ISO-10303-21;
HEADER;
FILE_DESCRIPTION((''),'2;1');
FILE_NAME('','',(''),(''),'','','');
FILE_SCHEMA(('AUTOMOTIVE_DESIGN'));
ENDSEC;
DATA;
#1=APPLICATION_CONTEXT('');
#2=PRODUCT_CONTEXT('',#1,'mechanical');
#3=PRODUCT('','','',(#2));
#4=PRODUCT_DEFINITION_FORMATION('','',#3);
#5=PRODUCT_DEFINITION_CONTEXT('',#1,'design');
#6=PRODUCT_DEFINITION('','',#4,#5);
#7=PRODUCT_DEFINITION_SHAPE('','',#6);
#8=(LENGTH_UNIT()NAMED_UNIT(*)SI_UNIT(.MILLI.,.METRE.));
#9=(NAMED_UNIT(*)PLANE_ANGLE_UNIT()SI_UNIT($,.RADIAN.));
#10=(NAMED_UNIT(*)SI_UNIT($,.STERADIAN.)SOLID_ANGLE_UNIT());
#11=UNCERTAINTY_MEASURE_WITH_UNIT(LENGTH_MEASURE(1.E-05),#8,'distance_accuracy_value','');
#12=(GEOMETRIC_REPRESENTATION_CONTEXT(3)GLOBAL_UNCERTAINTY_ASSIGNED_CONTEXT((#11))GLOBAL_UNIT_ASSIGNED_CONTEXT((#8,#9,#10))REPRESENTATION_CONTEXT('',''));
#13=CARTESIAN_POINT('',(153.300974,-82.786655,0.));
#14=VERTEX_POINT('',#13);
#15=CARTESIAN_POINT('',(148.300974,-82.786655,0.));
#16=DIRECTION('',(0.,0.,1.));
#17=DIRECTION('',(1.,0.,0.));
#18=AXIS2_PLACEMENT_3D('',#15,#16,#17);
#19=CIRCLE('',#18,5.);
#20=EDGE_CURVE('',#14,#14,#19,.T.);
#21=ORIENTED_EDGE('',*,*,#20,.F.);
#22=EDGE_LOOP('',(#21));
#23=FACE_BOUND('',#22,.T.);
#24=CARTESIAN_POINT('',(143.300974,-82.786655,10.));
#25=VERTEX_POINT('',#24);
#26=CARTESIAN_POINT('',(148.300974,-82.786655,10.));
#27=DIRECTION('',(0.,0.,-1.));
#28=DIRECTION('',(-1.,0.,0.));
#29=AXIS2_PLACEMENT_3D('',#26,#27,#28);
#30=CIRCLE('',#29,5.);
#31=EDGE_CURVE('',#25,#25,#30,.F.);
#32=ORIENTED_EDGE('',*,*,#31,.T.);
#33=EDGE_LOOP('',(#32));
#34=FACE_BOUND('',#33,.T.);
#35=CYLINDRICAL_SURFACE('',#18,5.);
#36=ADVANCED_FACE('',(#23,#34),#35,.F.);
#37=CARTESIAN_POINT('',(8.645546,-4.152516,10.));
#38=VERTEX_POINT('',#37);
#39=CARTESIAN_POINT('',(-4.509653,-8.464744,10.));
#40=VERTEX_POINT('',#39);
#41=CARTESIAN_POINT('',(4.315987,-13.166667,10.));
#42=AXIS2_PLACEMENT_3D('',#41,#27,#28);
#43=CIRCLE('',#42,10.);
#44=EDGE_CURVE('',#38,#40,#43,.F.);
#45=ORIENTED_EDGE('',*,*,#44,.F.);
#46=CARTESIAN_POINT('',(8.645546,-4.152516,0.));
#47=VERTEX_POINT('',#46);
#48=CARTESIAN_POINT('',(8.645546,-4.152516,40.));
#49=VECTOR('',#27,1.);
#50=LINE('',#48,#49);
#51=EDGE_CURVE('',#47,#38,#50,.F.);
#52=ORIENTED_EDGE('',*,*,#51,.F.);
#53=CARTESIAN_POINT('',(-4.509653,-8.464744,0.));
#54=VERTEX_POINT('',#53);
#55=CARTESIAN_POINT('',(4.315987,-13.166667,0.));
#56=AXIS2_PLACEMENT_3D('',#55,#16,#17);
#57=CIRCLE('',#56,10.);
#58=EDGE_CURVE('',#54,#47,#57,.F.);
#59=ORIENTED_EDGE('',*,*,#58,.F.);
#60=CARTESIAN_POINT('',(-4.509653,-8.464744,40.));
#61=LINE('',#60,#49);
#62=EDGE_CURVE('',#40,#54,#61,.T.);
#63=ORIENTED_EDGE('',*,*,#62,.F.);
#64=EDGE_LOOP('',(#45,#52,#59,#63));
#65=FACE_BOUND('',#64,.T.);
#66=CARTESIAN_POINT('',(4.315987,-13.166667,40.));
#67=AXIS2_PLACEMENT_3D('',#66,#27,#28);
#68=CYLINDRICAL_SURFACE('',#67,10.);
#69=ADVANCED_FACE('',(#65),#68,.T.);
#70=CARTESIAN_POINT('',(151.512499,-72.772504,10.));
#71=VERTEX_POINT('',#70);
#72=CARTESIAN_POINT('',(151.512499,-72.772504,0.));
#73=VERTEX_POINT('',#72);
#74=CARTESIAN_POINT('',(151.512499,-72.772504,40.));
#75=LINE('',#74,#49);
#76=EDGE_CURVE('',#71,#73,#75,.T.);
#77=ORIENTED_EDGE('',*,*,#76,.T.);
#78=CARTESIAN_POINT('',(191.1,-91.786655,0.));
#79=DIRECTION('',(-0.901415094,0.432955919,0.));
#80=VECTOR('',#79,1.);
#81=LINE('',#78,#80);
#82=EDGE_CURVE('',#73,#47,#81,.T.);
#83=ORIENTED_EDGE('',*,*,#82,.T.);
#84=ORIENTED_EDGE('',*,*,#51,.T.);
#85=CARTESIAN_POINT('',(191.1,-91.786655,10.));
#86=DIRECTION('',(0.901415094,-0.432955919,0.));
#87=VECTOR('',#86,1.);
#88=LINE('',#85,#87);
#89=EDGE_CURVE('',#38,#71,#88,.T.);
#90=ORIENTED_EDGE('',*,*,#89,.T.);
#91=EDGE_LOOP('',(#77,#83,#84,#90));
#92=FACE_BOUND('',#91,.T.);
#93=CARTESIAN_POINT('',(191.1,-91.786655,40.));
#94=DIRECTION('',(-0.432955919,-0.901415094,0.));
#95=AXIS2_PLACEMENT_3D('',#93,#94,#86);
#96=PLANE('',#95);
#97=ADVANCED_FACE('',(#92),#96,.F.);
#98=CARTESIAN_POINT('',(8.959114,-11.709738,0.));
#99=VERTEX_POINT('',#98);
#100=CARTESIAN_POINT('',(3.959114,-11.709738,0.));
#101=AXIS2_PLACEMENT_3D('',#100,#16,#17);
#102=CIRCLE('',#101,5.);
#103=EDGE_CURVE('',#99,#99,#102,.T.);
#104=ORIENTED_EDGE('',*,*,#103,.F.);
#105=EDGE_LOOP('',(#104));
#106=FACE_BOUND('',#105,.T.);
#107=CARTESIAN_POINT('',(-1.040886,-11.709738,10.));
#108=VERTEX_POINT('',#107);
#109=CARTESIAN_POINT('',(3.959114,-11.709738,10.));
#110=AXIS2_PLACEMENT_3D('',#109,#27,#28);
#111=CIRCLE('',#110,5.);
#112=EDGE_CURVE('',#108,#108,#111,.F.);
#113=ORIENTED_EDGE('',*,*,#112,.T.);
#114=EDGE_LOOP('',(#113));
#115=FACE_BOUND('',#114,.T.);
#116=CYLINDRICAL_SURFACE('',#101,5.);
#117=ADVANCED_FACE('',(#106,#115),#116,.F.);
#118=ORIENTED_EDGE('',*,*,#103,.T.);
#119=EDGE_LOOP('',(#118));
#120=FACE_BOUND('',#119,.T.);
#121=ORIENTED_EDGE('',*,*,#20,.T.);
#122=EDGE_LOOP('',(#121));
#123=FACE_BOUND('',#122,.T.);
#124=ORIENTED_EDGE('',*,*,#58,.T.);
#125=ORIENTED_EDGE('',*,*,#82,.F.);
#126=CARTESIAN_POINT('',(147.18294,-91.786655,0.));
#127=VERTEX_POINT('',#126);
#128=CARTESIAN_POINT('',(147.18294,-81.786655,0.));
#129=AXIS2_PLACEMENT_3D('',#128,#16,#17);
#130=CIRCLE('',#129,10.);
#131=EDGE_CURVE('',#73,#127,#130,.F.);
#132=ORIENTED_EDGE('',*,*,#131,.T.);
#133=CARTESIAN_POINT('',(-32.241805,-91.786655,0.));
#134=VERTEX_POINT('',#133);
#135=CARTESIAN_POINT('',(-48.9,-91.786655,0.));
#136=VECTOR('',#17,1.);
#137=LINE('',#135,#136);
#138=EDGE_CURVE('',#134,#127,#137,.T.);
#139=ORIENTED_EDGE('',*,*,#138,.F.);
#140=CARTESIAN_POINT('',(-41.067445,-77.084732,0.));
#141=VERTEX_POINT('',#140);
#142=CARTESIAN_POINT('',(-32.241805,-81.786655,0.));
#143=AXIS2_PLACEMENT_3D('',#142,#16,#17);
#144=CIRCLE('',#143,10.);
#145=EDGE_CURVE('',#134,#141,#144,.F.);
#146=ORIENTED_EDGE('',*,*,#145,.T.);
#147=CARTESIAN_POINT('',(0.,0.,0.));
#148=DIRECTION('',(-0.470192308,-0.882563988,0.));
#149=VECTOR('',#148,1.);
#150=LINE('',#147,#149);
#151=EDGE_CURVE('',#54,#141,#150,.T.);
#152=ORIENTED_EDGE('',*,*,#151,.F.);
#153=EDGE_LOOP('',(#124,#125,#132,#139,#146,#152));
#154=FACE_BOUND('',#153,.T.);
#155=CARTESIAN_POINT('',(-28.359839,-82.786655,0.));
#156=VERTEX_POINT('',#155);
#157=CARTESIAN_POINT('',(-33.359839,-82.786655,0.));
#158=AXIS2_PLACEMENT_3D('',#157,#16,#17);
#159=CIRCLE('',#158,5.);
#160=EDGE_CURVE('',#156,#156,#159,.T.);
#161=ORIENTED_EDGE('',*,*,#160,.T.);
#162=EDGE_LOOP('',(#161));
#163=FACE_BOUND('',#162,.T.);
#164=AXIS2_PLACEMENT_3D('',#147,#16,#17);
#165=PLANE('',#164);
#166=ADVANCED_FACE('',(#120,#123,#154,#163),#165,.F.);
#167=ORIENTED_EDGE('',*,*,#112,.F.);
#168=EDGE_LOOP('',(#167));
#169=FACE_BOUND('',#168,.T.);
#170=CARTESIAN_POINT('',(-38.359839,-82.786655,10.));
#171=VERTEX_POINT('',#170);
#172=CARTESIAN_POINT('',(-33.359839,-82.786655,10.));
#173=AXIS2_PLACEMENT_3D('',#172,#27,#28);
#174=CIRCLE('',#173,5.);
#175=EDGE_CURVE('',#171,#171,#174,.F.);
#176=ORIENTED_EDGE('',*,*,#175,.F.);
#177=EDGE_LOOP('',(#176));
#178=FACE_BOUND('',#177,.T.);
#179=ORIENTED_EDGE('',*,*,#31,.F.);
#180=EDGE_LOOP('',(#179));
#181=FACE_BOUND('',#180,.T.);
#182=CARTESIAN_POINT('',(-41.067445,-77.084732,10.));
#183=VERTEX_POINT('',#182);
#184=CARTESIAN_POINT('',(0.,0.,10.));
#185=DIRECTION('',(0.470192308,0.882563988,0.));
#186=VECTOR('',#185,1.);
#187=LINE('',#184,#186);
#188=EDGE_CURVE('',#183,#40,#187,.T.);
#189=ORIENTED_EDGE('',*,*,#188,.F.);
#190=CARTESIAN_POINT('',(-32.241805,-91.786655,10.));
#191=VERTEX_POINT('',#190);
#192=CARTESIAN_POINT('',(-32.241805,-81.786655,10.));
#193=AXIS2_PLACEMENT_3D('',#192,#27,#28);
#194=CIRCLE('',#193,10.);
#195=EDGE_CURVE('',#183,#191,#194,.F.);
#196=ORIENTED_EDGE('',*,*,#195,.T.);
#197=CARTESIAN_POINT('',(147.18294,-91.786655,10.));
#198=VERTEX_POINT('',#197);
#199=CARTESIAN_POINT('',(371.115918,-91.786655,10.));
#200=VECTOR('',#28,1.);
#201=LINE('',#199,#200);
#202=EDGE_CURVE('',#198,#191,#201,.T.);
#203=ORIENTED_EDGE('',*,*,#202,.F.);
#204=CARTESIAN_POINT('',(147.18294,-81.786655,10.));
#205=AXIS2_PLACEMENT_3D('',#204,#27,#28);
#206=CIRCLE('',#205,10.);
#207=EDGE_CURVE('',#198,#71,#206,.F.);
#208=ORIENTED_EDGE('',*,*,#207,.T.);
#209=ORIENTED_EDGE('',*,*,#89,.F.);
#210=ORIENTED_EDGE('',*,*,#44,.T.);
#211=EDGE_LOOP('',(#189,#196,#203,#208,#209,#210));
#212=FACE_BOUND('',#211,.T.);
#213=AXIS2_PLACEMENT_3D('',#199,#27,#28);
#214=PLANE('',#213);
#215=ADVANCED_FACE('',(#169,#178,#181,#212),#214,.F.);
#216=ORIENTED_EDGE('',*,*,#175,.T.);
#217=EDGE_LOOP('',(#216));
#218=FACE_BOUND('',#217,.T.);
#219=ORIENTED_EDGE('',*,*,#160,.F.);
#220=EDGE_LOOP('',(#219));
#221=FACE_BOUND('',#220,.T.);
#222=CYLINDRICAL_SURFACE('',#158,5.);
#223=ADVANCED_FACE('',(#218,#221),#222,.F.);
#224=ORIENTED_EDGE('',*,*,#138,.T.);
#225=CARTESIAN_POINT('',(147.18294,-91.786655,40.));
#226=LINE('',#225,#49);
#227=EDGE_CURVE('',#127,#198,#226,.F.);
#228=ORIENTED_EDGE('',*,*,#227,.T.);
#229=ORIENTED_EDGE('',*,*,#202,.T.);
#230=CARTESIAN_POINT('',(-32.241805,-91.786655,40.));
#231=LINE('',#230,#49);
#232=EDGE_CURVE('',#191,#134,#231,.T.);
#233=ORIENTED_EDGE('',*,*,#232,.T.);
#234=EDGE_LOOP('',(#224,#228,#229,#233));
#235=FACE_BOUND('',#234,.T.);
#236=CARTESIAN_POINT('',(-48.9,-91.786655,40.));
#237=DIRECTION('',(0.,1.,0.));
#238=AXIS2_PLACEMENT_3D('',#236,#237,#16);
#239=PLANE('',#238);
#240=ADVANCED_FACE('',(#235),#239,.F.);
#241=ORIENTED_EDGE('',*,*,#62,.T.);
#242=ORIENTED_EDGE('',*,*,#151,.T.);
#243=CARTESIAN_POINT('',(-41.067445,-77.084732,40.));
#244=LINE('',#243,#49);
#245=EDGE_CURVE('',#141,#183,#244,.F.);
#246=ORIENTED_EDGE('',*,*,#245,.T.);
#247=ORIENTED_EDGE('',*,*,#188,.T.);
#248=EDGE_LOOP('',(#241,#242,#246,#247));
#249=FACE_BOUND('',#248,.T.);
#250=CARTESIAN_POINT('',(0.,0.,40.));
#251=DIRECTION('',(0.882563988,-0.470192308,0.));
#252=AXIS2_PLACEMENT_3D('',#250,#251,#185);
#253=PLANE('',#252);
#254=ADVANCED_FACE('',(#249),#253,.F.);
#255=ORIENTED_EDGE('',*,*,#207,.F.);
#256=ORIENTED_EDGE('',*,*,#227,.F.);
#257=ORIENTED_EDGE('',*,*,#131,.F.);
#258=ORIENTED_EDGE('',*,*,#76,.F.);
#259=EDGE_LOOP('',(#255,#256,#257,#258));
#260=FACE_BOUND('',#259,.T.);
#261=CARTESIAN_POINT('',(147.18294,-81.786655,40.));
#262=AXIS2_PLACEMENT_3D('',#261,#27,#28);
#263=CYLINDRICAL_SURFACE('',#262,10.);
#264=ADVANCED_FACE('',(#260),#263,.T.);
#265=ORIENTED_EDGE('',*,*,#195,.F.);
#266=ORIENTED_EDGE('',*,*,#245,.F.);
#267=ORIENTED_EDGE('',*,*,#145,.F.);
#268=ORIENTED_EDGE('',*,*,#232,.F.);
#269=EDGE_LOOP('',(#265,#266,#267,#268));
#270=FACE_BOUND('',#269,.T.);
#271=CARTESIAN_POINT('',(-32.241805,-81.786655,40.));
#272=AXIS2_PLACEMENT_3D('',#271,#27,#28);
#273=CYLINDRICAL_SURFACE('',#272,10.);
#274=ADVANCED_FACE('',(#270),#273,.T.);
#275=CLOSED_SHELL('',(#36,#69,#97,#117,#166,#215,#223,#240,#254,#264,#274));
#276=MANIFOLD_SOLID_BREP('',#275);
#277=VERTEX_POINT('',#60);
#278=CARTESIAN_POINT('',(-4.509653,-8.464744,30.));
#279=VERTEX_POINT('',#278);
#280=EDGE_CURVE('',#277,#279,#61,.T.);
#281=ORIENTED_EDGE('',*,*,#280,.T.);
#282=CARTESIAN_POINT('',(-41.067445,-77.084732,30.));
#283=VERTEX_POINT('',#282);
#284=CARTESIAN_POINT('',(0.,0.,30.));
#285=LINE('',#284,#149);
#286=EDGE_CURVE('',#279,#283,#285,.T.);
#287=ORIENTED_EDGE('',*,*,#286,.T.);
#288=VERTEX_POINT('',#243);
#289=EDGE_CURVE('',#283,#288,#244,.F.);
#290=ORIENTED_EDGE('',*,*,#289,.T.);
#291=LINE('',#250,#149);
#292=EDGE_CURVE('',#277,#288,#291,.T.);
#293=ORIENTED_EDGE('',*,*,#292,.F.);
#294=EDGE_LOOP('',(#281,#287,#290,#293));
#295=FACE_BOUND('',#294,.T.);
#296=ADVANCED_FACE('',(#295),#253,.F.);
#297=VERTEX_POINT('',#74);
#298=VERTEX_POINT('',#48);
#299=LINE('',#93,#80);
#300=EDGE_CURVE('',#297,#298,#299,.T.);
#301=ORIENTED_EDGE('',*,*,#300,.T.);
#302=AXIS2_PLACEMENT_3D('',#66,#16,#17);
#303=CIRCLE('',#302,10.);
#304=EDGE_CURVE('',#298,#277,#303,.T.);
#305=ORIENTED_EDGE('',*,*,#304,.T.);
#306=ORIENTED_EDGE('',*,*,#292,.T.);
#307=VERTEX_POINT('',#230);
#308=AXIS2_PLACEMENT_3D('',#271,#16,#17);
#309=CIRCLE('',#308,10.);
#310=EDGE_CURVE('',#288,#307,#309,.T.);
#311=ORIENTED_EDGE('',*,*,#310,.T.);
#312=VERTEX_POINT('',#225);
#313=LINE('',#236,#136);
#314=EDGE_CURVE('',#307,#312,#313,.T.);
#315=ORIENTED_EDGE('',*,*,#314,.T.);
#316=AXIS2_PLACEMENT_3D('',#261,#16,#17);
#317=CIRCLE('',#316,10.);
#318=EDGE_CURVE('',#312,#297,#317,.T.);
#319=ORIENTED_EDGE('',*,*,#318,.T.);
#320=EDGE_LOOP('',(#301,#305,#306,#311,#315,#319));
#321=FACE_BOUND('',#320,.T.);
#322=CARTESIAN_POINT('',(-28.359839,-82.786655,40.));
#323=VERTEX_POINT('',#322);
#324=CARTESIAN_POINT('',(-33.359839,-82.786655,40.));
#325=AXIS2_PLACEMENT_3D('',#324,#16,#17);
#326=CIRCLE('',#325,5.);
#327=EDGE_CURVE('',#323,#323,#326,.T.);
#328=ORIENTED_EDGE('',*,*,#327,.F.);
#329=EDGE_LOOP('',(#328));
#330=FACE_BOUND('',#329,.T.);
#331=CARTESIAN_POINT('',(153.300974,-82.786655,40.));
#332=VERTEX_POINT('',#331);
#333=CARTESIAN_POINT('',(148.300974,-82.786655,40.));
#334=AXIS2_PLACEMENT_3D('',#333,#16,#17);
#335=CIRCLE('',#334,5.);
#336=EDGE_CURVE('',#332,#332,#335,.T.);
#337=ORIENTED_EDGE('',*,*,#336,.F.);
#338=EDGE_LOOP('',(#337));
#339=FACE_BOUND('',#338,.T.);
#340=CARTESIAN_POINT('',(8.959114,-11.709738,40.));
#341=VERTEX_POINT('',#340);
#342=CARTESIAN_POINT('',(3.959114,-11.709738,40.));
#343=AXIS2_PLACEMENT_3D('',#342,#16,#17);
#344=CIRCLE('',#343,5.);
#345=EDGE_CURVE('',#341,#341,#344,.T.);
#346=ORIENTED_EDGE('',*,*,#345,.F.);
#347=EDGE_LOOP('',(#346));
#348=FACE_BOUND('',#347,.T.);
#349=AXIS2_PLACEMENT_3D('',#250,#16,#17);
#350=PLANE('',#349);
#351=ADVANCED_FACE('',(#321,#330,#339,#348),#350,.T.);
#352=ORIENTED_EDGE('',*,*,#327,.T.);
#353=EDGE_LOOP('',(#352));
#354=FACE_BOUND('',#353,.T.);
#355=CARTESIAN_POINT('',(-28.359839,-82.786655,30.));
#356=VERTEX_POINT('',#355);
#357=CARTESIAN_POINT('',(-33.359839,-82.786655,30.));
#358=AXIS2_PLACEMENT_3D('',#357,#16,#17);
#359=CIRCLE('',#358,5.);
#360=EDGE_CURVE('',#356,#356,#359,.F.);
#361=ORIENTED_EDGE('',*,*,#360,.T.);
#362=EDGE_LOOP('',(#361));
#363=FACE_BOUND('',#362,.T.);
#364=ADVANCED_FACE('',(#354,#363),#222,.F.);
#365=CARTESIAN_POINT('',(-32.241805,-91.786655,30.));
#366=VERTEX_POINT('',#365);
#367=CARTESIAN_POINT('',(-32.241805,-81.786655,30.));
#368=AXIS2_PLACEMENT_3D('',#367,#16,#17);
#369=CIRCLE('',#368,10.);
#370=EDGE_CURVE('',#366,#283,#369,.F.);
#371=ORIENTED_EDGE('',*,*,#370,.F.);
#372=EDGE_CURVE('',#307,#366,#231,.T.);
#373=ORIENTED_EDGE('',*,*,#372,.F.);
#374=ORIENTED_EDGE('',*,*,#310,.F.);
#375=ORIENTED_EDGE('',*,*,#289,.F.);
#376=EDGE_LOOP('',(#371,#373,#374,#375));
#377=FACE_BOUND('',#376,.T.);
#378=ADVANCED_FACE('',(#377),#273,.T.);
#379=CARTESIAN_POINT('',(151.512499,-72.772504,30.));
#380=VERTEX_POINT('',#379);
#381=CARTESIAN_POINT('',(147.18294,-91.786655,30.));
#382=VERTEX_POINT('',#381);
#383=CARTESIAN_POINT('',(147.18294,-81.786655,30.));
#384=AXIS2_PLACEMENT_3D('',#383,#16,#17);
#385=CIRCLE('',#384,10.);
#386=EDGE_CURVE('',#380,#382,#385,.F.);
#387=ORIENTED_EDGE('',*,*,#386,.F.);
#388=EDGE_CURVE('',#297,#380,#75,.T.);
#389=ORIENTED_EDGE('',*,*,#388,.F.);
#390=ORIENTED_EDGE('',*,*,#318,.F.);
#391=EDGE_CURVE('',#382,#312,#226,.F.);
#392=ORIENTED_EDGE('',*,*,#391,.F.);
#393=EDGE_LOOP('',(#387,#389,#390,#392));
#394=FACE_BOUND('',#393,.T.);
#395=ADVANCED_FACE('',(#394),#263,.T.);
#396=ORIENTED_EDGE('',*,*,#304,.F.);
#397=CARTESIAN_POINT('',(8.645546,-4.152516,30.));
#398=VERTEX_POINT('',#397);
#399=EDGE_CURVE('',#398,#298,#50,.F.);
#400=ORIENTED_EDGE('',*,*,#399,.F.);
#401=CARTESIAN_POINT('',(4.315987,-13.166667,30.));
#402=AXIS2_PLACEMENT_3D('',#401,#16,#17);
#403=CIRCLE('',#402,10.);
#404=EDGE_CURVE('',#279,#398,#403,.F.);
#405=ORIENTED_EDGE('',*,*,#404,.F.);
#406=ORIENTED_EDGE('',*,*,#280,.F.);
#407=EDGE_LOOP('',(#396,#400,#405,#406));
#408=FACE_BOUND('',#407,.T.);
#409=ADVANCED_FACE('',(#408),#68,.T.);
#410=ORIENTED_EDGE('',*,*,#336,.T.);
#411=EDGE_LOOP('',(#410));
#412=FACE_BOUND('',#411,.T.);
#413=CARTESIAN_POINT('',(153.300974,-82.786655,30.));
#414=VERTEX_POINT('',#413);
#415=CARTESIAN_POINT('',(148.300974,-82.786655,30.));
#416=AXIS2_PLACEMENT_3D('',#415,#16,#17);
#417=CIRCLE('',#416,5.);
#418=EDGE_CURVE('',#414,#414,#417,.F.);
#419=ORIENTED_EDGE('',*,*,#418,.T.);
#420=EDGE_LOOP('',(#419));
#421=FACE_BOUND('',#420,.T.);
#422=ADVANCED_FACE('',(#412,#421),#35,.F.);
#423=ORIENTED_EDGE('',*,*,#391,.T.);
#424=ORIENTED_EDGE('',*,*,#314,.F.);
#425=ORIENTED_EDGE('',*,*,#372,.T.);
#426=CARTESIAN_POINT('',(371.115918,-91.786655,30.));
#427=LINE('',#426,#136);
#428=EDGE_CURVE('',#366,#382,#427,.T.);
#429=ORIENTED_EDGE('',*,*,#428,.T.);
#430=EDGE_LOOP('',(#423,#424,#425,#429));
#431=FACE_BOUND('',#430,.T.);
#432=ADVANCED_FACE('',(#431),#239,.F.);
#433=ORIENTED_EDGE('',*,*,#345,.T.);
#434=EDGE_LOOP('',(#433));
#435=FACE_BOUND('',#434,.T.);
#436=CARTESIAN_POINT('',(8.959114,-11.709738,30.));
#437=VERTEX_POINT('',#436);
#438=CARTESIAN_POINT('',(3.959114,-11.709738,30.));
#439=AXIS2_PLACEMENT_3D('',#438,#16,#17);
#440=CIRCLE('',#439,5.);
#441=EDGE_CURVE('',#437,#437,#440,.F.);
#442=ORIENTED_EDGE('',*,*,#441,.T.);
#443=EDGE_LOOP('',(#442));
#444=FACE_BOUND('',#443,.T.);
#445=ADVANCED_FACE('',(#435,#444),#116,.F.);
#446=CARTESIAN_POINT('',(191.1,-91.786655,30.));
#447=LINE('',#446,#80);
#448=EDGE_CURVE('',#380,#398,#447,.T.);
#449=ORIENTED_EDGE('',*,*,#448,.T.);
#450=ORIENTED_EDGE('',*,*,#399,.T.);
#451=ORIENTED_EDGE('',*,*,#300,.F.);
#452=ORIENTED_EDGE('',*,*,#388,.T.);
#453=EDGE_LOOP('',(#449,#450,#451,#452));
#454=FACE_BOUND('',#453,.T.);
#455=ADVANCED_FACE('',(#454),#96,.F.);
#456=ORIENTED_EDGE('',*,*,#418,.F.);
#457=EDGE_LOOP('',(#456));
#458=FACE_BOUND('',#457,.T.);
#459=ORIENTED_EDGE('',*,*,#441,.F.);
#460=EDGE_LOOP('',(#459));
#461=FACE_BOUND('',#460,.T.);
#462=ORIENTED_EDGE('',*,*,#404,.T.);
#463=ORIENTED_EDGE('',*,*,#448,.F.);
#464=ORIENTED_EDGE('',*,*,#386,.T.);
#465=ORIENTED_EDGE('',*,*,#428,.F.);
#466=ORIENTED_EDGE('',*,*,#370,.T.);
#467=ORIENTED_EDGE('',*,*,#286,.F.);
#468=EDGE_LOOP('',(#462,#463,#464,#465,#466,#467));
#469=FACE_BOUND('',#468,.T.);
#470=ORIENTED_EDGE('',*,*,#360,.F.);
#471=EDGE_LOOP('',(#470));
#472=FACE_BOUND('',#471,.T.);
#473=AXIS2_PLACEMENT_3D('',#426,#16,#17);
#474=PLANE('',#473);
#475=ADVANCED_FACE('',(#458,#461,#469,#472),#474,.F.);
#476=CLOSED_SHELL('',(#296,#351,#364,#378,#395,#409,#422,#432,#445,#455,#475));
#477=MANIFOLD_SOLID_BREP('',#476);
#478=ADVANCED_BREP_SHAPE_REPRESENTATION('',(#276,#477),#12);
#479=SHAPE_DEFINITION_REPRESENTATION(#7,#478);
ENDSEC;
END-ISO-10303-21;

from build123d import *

# Parameters (mm, degrees)
BOSS_EXTRUDE1_DEPTH = 40
FILLET1_R           = 10
SKETCH2_R           = 5
CUT_EXTRUDE1_DEPTH  = 187.36326547
SKETCH3_W           = 439.206836257
SKETCH3_H           = 20
CUT_EXTRUDE2_DEPTH  = 187.36326547


with BuildPart() as part:
    # Sketch1 → Boss-Extrude1 (new body)
    with BuildSketch(Plane.XY):
        Polygon((0, 0), (-48.9, -91.786654803), (191.1, -91.786654803), align=None)
    extrude(amount=BOSS_EXTRUDE1_DEPTH)

    # Fillet1
    fillet1_edges = [part.edges().sort_by_distance(p)[0] for p in [
        (191.1, -91.786654803, 20),
        (-48.9, -91.786654803, 20),
        (0, 0, 20),
    ]]
    fillet(fillet1_edges, radius=FILLET1_R)

    # Sketch2 → Cut-Extrude1 (cut, through all)
    with BuildSketch(Plane.XY.offset(40)):
        with Locations((3.959113896, -11.709737823)):
            Circle(SKETCH2_R)
        with Locations((-33.359838925, -82.786654803)):
            Circle(SKETCH2_R)
        with Locations((148.300974274, -82.786654803)):
            Circle(SKETCH2_R)
    extrude(amount=-CUT_EXTRUDE1_DEPTH, mode=Mode.SUBTRACT)

    # Sketch3 → Cut-Extrude2 (cut, through all)
    with BuildSketch(Plane(origin=(0, 0, 0), x_dir=(1, 0, 0), z_dir=(0, 1, 0))):
        with Locations((151.512499475, -20)):
            Rectangle(SKETCH3_W, SKETCH3_H)
    extrude(amount=-CUT_EXTRUDE2_DEPTH, mode=Mode.SUBTRACT)


with BuildPart() as cut_extrude2_piece_1:
    # of the separate pieces the step leaves, piece 1, a body of its own (cut_extrude2_pieces)
    add(part.part.solids().sort_by_distance((-4.509652982, -8.46474359, 0))[0])


with BuildPart() as cut_extrude2_piece_2:
    # of the separate pieces the step leaves, piece 2, a body of its own (cut_extrude2_pieces)
    add(part.part.solids().sort_by_distance((-41.067444821, -77.084731726, 30))[0])


solid = Compound([cut_extrude2_piece_1.part, cut_extrude2_piece_2.part])
